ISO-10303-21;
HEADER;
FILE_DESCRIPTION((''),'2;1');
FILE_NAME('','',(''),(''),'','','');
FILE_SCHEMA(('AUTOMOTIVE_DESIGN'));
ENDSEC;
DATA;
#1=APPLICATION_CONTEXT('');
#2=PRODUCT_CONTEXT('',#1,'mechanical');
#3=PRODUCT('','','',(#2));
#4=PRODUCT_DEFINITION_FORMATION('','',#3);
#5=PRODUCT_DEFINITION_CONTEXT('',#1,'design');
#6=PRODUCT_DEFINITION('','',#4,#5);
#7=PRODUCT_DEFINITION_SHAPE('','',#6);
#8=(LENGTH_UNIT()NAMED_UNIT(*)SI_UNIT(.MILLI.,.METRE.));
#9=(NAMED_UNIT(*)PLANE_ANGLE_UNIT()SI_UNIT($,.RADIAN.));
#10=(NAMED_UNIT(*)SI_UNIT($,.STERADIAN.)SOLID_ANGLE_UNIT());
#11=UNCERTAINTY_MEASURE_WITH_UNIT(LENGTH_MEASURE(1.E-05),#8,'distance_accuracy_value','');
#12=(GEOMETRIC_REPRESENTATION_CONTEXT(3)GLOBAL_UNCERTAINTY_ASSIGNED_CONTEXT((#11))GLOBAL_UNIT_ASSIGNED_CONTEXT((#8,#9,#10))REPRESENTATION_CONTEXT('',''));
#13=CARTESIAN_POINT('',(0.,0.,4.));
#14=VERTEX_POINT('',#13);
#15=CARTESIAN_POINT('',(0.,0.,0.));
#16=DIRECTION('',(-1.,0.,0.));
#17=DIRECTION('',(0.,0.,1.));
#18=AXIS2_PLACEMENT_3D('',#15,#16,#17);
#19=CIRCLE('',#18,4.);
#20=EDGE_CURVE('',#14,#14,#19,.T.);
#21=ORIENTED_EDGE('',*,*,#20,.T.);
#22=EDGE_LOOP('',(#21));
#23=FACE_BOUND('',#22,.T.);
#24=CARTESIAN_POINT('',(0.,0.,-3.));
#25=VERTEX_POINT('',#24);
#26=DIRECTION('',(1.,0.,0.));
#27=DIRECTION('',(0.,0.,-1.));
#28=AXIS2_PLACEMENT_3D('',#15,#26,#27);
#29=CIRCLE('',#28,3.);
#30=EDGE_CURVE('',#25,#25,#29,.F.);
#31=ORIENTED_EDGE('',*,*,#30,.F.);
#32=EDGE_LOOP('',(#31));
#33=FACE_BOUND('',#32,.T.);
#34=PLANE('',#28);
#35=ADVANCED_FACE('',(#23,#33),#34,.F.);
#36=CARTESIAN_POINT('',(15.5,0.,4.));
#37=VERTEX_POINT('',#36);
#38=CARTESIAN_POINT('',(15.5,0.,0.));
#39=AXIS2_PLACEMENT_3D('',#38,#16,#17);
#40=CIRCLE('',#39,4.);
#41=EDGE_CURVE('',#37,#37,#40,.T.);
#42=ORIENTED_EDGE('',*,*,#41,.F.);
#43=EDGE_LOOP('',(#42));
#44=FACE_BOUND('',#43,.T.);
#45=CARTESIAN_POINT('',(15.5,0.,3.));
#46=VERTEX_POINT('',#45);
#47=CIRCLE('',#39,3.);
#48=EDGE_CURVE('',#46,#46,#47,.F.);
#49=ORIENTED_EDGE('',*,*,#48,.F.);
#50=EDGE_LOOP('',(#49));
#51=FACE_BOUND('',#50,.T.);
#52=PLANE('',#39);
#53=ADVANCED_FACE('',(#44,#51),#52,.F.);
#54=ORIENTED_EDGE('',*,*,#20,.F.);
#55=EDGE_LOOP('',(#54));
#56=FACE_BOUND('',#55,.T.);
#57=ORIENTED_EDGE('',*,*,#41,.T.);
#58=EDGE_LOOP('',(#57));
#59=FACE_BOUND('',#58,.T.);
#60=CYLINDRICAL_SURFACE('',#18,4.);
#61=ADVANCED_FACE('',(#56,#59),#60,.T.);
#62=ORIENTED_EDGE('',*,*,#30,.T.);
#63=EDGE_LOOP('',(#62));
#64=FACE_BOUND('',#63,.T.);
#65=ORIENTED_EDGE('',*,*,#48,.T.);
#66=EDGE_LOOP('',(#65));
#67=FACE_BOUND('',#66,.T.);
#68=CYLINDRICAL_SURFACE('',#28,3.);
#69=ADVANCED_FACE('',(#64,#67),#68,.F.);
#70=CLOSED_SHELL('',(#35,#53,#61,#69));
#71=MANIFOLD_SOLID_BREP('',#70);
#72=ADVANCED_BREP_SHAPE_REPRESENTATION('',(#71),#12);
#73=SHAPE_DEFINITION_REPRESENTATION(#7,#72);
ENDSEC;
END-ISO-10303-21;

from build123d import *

# Parameters (mm, degrees)
SKETCH1_W = 15.5
SKETCH1_H = 4


with BuildPart() as part:
    # Sketch1 → Revolve1 (revolve)
    with BuildSketch(Plane.XY, mode=Mode.PRIVATE) as revolve1_sk:
        with Locations((7.75, 2)):
            Rectangle(SKETCH1_W, SKETCH1_H)
    revolve(revolve1_sk.sketch.rotate(Axis((0, 0, 0), (1, 0, 0)), 90), axis=Axis((0, 0, 0), (1, 0, 0)))

    # SurfaceCut1: cut with a surface, the side it looks to stays
    # Surface-Revolve1: a surface, the sketch's curves turned about an axis
    with BuildLine(Plane.XY, mode=Mode.PRIVATE) as surface_revolve1_1_path:
        Line((0, 3), (15.5, 3))
    surface_revolve1_1 = Shell.revolve(surface_revolve1_1_path.wire(), 360, Axis((0, 0, 0), (1, 0, 0)))
    split(bisect_by=surface_revolve1_1, keep=Keep.TOP)


solid = part.part
